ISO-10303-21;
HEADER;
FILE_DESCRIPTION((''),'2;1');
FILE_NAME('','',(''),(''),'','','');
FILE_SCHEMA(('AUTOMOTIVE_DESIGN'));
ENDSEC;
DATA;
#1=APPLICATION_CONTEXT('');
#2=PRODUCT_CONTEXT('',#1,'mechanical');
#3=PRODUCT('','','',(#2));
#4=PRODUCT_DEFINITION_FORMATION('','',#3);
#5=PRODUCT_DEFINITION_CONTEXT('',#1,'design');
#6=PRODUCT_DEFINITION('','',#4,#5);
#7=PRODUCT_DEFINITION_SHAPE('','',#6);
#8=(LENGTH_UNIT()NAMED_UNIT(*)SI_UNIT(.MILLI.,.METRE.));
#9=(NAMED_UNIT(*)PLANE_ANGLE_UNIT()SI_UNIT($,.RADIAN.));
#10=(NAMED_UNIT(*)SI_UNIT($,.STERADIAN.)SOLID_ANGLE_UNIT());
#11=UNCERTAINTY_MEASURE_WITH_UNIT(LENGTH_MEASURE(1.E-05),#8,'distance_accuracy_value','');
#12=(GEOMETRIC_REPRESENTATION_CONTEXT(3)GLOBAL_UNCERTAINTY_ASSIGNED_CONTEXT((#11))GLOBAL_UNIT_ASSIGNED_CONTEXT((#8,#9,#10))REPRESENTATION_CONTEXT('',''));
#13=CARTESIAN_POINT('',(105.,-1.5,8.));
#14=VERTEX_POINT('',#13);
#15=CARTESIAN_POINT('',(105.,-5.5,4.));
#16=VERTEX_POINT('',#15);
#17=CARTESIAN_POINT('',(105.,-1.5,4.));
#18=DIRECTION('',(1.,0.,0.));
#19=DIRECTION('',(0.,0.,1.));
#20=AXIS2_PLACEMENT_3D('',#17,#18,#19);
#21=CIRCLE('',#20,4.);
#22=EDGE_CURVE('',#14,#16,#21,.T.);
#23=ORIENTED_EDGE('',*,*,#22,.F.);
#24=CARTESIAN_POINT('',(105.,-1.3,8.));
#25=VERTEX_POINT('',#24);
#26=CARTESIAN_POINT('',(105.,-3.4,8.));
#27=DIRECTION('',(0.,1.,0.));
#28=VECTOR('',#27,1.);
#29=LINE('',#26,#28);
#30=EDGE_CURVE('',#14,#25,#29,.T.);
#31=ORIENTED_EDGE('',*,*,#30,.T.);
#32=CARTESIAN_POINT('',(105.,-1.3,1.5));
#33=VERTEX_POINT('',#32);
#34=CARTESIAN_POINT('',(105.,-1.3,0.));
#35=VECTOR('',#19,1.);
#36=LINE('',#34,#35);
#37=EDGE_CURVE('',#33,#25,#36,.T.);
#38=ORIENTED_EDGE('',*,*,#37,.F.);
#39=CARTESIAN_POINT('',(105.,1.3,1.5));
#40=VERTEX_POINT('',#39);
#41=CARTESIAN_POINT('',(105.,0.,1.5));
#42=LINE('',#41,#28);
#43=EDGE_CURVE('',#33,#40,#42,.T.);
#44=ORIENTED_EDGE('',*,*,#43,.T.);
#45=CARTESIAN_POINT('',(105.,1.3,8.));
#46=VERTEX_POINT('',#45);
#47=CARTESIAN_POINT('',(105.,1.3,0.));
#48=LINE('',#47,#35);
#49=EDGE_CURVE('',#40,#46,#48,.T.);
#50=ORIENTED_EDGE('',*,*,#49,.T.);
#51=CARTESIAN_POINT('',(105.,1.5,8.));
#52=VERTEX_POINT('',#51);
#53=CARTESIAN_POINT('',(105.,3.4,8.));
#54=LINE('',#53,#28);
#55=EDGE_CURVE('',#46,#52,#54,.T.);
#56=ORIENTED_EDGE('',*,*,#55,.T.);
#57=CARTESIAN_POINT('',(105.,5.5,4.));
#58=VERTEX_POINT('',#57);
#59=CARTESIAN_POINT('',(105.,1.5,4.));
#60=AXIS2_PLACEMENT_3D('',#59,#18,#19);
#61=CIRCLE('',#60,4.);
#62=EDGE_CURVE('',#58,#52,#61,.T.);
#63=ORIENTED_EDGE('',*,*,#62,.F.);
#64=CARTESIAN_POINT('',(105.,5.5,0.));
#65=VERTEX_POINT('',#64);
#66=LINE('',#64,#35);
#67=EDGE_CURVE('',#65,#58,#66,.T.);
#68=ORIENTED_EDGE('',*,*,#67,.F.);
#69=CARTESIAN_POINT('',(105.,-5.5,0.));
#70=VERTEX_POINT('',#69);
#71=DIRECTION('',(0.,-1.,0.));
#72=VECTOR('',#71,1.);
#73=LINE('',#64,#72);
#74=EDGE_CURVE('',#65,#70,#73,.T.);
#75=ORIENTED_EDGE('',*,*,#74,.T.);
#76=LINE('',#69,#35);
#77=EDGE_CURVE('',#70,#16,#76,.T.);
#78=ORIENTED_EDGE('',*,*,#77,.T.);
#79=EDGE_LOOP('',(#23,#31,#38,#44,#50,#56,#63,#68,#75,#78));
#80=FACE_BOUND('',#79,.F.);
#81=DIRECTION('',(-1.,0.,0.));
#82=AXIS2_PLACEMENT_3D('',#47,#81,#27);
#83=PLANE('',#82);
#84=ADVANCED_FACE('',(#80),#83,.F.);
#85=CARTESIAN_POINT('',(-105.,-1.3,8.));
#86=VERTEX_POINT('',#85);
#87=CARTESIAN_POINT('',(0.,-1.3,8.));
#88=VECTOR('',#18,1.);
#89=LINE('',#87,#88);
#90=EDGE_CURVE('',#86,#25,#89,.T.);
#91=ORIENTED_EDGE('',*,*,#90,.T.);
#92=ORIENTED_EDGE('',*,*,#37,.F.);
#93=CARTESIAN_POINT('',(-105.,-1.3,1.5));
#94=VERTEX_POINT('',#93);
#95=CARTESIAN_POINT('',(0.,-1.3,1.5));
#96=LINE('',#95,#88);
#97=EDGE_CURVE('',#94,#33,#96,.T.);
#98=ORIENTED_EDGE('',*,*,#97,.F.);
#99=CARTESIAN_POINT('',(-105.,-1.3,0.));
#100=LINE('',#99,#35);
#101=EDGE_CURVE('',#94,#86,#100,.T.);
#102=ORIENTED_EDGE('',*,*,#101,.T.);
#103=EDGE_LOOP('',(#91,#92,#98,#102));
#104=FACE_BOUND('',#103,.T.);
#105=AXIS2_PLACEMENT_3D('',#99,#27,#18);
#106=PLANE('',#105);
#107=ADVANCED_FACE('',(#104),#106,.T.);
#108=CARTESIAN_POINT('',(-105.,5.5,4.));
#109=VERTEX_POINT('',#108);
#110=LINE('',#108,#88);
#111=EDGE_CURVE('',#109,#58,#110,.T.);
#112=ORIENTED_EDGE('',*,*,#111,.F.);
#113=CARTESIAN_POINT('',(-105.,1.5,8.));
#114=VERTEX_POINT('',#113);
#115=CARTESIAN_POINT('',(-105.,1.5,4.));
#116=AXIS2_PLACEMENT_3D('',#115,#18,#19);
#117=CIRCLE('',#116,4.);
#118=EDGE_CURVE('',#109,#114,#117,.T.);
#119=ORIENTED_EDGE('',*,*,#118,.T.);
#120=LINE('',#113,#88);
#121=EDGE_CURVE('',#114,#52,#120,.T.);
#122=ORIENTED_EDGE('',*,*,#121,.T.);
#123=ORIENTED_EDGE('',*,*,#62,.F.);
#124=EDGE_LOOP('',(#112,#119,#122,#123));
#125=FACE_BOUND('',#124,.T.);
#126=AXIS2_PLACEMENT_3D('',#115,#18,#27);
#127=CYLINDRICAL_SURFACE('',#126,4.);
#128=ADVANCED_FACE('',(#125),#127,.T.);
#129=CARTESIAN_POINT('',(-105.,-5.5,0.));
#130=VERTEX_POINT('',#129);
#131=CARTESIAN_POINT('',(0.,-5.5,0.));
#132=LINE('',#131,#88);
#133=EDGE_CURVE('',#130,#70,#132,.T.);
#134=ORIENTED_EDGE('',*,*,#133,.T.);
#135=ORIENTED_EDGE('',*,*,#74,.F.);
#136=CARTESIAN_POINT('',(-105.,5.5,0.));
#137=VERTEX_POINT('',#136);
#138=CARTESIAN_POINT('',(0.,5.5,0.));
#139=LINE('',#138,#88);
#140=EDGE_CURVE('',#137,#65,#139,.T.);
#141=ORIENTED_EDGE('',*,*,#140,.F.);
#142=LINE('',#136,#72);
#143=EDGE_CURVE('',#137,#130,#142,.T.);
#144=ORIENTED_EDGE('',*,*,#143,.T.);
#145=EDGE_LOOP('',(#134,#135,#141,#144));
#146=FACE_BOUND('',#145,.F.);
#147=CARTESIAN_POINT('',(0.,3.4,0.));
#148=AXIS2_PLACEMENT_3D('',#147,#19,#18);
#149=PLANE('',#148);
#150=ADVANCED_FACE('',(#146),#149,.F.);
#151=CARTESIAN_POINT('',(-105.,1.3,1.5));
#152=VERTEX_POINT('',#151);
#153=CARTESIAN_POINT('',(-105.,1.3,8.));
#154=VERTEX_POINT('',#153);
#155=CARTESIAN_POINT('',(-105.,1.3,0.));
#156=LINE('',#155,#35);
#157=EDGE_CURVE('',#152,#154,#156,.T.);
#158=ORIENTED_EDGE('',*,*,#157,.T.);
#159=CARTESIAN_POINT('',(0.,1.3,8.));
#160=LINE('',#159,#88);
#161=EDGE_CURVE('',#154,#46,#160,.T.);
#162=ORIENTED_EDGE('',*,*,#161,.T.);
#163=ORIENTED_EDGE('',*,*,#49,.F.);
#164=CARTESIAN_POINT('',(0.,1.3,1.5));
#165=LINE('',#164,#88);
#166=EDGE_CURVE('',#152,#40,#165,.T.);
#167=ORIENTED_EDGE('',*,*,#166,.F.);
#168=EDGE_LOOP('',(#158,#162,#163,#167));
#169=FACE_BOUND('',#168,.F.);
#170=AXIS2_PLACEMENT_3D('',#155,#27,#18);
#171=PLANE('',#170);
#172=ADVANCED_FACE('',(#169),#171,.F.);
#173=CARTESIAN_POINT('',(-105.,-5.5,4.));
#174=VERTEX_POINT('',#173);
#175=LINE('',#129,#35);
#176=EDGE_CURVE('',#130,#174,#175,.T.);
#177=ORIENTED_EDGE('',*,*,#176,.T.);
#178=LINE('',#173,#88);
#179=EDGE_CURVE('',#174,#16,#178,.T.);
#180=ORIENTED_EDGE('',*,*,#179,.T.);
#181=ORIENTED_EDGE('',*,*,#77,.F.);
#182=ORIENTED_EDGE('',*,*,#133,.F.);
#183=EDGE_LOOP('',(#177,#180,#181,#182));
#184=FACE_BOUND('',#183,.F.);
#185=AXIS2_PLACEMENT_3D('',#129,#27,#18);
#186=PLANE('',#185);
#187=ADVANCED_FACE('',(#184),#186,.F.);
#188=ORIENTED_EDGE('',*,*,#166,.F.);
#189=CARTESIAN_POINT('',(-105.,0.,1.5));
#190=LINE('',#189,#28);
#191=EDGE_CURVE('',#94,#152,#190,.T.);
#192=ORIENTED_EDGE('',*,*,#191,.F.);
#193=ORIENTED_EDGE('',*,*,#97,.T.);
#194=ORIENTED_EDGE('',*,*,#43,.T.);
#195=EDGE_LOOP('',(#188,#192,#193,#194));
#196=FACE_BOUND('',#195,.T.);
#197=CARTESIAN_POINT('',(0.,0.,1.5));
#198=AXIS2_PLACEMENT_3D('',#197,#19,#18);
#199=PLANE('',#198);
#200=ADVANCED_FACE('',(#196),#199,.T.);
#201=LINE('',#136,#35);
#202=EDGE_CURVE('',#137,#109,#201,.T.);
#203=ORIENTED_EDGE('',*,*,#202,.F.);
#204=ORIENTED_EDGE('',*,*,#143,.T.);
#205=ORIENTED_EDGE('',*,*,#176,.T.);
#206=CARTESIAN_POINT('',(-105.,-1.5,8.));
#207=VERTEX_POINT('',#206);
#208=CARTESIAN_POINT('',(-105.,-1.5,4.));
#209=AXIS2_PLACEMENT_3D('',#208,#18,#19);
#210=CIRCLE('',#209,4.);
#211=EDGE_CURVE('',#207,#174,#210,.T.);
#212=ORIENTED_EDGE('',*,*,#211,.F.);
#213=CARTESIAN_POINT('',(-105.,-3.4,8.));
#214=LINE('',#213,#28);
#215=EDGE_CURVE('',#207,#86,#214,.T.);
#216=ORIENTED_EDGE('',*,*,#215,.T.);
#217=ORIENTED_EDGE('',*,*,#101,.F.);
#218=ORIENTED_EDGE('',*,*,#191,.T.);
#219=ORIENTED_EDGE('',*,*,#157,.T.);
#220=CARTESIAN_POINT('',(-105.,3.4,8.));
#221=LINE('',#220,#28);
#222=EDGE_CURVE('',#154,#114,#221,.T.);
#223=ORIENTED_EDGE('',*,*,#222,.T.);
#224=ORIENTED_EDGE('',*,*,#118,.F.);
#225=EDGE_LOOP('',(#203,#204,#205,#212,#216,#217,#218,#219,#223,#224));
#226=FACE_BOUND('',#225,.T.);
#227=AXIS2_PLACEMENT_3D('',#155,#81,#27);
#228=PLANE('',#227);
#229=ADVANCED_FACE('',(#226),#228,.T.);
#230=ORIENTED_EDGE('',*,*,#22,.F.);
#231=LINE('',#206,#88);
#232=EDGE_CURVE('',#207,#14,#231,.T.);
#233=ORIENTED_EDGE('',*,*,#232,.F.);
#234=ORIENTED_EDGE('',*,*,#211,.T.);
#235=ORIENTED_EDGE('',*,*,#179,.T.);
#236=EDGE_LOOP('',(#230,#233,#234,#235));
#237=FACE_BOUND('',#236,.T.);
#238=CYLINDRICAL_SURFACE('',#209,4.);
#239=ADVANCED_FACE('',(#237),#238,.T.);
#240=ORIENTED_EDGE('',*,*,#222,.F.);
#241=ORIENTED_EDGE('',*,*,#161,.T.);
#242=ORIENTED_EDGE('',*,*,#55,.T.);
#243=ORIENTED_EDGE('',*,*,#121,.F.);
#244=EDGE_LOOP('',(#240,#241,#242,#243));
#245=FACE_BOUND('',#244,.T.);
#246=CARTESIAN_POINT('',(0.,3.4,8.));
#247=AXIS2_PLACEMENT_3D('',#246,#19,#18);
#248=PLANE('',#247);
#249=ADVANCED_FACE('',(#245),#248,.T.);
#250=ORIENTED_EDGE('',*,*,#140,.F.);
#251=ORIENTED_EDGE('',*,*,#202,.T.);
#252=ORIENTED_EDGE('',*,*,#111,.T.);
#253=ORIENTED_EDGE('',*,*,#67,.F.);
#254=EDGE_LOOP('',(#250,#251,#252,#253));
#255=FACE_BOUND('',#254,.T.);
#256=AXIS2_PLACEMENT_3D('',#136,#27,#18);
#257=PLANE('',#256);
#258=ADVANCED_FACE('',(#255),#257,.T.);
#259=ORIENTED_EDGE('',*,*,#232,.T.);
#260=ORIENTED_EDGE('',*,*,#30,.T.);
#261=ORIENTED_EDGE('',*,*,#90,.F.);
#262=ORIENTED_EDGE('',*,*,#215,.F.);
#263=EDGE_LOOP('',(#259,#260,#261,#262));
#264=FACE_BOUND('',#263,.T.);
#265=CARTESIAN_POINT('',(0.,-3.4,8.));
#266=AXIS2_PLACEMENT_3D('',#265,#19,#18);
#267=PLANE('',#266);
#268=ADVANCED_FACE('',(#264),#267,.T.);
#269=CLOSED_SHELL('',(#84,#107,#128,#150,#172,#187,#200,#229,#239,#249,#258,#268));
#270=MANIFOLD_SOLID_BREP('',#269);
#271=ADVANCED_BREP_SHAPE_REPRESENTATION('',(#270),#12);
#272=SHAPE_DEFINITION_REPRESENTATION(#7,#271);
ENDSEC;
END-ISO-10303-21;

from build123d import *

# Parameters (mm, degrees)
F0_W     = 210
F0_H     = 2.6
F1_DEPTH = 1.5
F0_H_2   = 4.2
F2_DEPTH = 8
F3_R     = 4


with BuildPart() as f1:
    # F0 (on Top) → F1 (new body)
    with BuildSketch(Plane.XY):
        Rectangle(F0_W, F0_H)
    extrude(amount=F1_DEPTH)

    # F0 (on Top) → F2 (join)
    with BuildSketch(Plane.XY):
        with Locations((0, 3.4)):
            Rectangle(F0_W, F0_H_2)
        with Locations((0, -3.4)):
            Rectangle(F0_W, F0_H_2)
    extrude(amount=F2_DEPTH)

    # F3
    f3_edges = [f1.edges().sort_by_distance(p)[0] for p in [
        (0, 5.5, 8),
        (0, -5.5, 8),
    ]]
    fillet(f3_edges, radius=F3_R)


solid = f1.part
